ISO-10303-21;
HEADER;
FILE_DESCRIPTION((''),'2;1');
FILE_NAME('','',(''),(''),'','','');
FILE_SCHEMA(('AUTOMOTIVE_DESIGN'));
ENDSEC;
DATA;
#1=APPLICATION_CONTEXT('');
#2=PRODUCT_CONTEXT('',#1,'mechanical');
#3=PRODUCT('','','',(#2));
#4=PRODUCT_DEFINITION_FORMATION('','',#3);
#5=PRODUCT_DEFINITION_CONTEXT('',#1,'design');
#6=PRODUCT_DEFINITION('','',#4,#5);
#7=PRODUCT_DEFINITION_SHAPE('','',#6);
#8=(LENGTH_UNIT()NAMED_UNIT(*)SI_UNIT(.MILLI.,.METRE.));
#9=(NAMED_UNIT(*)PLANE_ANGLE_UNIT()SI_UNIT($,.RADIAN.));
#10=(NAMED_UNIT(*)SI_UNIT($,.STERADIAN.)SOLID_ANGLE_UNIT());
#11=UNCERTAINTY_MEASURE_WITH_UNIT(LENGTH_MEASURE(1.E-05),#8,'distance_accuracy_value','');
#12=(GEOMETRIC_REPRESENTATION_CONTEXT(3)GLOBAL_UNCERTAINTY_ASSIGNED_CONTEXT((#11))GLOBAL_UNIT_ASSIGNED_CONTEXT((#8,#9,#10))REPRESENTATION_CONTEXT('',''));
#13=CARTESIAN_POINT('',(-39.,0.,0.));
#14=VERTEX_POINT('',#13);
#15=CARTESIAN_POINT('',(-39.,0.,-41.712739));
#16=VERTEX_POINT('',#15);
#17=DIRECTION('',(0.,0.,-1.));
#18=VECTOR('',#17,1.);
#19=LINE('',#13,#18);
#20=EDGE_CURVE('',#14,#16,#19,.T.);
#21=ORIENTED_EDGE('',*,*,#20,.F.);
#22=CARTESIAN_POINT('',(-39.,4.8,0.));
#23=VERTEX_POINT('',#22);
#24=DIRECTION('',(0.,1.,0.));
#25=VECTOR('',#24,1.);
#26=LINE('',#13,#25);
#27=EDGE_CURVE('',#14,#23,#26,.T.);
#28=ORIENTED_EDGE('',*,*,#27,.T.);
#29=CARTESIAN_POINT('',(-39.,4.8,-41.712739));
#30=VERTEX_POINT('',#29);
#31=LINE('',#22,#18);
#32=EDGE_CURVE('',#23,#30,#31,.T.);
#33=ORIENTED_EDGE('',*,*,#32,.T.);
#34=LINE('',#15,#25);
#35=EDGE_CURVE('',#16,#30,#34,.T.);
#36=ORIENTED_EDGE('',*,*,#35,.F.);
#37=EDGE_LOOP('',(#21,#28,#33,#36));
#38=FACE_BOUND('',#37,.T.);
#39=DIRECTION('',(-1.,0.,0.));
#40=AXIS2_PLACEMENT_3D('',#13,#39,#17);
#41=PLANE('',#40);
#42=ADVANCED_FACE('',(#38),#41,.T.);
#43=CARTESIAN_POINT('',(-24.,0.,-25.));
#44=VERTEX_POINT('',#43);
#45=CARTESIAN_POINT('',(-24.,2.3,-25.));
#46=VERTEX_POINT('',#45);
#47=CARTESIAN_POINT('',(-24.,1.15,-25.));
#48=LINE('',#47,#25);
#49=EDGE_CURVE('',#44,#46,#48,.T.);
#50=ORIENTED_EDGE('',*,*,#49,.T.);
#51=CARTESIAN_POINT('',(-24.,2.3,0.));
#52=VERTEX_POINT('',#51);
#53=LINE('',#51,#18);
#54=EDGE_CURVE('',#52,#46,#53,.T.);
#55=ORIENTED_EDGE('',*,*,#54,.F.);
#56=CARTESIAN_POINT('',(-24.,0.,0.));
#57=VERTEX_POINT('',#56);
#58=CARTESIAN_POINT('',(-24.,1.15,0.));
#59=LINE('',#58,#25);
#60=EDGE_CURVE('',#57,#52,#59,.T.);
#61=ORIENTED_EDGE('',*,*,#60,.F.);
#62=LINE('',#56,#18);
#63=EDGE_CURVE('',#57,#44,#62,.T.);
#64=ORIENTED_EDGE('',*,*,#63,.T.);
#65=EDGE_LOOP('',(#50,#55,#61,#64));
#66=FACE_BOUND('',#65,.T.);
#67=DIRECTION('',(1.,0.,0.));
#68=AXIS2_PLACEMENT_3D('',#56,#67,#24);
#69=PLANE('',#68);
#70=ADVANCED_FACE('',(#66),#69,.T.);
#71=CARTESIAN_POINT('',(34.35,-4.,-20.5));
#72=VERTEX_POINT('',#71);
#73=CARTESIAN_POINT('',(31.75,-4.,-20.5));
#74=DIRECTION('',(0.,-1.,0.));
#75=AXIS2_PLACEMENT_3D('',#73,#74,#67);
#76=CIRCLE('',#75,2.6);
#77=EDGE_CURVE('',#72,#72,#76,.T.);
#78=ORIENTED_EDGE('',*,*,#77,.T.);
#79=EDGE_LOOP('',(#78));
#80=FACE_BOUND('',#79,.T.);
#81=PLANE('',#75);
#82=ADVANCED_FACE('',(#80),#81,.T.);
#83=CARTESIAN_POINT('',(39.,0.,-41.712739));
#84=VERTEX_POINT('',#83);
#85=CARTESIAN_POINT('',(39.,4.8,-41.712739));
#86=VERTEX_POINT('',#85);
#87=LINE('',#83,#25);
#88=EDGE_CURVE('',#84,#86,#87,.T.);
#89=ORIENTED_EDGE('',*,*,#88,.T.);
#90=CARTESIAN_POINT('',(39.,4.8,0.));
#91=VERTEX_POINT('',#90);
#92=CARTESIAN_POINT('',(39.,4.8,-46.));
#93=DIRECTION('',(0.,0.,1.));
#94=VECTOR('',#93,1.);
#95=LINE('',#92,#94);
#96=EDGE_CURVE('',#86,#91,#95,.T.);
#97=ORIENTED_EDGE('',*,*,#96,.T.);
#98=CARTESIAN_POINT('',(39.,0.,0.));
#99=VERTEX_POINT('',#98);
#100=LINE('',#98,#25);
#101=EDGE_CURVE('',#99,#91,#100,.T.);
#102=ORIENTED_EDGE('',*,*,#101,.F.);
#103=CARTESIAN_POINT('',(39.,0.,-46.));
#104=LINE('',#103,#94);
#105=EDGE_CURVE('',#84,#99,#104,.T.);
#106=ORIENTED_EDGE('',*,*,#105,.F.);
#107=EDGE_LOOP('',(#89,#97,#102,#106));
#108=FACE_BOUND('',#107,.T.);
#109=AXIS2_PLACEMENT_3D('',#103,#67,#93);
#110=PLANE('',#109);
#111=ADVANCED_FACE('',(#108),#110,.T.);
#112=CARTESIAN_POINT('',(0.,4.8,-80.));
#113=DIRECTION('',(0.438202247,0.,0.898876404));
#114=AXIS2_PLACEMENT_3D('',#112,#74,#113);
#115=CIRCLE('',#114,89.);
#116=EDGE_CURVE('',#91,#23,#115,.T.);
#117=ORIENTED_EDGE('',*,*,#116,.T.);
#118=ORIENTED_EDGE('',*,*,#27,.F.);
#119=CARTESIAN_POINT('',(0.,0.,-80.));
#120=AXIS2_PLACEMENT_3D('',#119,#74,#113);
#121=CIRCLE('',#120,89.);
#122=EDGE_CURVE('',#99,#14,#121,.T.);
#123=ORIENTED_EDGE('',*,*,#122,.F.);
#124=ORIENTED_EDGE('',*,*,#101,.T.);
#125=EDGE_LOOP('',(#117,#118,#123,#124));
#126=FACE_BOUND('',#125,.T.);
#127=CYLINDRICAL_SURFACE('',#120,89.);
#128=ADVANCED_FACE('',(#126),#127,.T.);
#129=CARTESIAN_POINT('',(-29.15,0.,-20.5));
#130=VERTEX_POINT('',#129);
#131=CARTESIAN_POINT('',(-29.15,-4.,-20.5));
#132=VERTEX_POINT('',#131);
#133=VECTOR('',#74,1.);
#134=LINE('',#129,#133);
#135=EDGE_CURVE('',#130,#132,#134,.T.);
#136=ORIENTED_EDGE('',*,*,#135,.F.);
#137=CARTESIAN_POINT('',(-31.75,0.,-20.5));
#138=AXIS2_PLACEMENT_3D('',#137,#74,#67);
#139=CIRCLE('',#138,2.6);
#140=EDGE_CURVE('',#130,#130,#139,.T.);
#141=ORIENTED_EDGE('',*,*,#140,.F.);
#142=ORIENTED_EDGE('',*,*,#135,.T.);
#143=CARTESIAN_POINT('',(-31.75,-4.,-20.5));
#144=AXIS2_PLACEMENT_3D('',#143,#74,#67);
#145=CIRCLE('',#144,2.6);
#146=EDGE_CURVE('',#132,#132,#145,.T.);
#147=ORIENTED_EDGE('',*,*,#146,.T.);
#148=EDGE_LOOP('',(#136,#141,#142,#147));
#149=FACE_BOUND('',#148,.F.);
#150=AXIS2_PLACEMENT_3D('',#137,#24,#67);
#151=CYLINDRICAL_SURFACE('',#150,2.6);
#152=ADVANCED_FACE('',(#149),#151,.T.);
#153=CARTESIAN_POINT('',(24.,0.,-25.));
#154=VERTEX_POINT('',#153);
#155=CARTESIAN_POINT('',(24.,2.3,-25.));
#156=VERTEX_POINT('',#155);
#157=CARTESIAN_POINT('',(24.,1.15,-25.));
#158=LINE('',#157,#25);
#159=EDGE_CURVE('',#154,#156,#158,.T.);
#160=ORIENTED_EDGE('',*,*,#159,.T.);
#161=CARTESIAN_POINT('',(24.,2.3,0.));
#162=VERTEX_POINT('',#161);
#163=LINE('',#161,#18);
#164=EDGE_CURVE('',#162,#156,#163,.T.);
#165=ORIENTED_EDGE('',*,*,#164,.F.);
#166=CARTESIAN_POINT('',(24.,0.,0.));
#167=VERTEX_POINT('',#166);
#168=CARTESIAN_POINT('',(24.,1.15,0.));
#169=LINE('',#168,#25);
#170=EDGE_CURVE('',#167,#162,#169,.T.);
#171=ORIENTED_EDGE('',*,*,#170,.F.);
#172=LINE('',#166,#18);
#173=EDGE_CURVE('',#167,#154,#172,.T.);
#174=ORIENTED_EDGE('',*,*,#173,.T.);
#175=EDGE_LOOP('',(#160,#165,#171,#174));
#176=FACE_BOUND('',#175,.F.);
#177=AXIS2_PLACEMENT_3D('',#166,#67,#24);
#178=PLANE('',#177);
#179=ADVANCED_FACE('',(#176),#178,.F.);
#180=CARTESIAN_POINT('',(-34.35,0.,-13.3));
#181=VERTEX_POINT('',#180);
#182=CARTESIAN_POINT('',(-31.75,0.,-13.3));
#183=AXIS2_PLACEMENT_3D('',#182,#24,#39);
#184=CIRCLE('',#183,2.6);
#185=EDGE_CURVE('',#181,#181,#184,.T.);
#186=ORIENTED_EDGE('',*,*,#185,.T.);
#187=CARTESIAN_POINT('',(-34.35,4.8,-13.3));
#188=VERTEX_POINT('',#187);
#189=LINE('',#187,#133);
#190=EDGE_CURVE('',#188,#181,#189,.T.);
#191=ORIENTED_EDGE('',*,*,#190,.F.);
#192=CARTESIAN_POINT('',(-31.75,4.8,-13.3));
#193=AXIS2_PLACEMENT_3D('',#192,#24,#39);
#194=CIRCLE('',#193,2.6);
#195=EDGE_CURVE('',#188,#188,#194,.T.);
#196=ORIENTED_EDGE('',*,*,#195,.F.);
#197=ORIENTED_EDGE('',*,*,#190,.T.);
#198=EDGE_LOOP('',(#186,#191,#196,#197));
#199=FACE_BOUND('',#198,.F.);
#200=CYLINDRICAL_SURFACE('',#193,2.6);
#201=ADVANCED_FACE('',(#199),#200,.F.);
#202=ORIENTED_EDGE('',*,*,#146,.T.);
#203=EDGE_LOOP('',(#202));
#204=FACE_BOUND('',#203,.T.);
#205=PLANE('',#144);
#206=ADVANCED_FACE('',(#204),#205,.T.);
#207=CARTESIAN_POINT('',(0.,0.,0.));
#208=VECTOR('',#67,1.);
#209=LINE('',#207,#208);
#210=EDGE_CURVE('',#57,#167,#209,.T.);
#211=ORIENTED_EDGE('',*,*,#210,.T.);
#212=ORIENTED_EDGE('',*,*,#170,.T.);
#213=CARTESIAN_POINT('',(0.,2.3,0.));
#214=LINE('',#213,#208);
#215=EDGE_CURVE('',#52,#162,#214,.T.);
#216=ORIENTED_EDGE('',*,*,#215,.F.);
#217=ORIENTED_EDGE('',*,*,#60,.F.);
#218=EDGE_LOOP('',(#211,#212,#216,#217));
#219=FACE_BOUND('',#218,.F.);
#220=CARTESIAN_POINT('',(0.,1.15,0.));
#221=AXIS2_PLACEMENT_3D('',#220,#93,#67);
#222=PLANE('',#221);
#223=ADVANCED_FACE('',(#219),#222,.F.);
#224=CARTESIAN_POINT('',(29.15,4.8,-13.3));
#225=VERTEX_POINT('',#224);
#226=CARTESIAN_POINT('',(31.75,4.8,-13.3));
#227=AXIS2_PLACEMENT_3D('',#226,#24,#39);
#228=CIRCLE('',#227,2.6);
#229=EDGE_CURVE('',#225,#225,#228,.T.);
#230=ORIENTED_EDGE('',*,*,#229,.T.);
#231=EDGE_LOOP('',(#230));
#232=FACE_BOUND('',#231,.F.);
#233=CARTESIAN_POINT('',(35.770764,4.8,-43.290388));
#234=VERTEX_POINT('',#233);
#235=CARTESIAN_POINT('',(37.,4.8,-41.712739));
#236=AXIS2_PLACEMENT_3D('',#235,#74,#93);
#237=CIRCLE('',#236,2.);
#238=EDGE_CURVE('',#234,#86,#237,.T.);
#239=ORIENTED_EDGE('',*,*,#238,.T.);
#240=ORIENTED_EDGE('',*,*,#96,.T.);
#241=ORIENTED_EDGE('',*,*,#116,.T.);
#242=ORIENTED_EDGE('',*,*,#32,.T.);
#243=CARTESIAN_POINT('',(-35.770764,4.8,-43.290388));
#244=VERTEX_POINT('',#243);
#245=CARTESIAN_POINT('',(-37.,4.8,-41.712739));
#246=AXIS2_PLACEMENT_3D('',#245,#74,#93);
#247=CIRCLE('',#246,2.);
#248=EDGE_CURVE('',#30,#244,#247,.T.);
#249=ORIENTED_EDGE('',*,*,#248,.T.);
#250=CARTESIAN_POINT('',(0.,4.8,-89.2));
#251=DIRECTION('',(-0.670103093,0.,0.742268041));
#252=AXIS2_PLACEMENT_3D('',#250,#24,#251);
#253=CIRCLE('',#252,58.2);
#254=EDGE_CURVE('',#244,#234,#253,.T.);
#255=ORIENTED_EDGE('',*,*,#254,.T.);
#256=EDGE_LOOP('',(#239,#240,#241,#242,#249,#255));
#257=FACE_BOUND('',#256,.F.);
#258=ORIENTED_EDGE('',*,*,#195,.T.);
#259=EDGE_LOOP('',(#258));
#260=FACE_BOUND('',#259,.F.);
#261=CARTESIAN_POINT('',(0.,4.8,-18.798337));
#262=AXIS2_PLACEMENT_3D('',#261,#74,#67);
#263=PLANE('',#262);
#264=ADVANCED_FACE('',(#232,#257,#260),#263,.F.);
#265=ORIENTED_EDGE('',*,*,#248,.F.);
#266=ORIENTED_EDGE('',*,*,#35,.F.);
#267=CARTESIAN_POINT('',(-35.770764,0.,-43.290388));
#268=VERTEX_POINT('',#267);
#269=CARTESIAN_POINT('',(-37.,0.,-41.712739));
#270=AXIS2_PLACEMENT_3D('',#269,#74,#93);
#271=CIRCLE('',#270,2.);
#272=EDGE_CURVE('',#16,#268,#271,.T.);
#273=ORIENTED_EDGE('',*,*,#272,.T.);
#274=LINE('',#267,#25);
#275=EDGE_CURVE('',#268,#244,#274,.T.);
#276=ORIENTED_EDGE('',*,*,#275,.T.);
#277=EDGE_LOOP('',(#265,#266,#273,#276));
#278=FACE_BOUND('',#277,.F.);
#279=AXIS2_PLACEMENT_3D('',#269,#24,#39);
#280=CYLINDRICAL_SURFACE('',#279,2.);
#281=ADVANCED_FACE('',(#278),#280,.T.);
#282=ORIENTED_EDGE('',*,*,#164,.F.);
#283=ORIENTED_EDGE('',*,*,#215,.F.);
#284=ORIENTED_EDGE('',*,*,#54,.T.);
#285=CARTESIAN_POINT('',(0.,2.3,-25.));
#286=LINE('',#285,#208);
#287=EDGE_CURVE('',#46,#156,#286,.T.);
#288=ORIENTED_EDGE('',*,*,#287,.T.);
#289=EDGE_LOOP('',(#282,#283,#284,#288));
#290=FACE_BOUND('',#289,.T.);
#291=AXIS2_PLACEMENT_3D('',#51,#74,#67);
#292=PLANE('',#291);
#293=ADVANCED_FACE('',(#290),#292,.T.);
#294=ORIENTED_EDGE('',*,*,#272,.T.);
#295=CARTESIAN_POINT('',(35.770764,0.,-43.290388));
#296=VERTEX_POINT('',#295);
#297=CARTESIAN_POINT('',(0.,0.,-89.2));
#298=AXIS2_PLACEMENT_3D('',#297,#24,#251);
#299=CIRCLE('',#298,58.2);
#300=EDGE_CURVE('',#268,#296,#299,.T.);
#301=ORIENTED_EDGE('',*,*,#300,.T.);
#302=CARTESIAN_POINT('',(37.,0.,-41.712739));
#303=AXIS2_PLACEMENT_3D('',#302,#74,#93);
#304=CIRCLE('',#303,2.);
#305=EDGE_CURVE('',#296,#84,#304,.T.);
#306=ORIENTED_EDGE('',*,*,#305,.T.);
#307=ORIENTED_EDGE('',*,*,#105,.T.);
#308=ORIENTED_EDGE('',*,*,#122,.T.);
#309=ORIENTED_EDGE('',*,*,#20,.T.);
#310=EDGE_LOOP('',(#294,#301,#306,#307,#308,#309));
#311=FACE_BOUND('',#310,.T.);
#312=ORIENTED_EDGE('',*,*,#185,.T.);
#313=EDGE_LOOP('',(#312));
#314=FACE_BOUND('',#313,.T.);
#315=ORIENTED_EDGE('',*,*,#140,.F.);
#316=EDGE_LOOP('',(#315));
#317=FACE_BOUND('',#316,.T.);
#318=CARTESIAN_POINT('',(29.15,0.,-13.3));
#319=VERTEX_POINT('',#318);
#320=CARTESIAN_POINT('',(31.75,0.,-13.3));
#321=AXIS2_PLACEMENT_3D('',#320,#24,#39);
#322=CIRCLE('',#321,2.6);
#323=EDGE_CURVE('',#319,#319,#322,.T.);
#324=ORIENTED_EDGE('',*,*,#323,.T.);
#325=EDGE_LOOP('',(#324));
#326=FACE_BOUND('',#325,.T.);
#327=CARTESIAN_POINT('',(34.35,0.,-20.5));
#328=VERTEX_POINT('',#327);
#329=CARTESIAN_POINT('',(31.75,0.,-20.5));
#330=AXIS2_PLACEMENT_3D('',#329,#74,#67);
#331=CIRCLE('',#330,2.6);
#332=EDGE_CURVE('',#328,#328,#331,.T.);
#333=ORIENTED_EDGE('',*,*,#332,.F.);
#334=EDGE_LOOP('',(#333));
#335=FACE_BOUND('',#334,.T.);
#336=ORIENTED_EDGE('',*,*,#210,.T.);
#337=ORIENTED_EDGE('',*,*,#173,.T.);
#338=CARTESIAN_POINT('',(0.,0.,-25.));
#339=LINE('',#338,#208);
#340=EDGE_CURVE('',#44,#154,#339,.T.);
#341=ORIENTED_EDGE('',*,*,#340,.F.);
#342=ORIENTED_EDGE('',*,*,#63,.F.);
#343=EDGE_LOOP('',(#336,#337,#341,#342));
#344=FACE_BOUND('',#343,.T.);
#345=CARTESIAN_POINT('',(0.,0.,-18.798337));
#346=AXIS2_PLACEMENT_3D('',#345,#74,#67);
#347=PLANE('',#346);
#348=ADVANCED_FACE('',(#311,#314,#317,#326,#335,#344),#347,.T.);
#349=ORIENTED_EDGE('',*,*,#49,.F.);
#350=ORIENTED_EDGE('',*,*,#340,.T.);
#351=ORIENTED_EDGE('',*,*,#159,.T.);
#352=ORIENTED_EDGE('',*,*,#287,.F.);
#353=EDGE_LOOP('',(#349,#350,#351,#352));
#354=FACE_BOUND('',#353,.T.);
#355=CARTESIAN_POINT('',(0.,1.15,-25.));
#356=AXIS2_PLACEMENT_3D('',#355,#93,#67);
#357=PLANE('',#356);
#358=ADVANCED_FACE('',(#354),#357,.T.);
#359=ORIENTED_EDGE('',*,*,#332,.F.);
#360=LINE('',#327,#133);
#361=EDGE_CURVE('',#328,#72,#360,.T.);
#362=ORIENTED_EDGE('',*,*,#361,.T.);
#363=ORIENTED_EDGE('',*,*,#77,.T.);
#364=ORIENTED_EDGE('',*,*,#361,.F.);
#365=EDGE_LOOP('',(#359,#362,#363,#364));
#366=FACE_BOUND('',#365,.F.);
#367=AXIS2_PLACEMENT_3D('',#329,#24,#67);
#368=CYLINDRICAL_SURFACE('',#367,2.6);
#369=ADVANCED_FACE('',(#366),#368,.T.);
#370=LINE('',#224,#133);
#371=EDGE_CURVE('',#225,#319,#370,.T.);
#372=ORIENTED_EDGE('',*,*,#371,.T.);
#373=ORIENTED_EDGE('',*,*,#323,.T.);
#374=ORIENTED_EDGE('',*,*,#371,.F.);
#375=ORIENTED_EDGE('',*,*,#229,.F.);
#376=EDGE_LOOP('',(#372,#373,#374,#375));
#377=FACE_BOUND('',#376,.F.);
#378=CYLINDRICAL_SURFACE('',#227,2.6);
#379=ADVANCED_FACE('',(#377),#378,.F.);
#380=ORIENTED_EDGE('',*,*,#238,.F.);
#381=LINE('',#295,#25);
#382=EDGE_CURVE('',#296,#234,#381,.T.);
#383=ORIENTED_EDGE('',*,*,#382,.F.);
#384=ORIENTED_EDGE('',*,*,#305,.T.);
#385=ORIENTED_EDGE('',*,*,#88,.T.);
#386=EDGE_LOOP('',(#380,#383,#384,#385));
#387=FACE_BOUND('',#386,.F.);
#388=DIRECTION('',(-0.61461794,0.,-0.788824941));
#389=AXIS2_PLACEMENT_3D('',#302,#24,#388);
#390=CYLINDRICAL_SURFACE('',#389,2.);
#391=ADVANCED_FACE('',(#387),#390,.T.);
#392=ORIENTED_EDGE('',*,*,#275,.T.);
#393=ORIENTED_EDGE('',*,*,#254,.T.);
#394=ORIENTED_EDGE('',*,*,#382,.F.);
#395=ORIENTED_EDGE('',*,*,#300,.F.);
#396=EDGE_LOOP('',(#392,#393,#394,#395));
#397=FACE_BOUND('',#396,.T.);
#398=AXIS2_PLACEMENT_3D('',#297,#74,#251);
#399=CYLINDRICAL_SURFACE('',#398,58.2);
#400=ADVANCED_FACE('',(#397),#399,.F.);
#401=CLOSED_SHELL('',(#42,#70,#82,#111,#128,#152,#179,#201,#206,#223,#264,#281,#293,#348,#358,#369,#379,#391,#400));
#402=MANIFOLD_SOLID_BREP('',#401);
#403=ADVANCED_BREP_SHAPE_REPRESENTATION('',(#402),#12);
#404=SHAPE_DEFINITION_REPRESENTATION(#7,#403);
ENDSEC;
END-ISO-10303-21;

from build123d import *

# Parameters (mm, degrees)
F1_DEPTH = 4.8
F2_R     = 2.6
F3_DEPTH = 4
F4_R     = 2.6
F5_DEPTH = 4.8
F6_R     = 2
F7_W     = 48
F7_H     = 2.3
F8_DEPTH = 25


with BuildPart() as f1:
    # F0 (on Front) → F1 (new body)
    with BuildSketch(Plane.XZ):
        with BuildLine():
            Line((-39, 0), (-39, -46))
            ThreePointArc((-39, -46), (0, -31), (39, -46))
            Line((39, -46), (39, 0))
            ThreePointArc((39, 0), (0, 9), (-39, 0))
        make_face()
    extrude(amount=-F1_DEPTH)

    # F2 (on face) → F3 (join)
    with BuildSketch(Plane.XZ):
        with Locations((-31.75, -20.5)):
            Circle(F2_R)
        with Locations((31.75, -20.5)):
            Circle(F2_R)
    extrude(amount=F3_DEPTH)

    # F4 (on face) → F5 (cut, through all)
    with BuildSketch(Plane(origin=(0, 4.8, 0), x_dir=(-1, 0, 0), z_dir=(0, 1, 0))):
        with Locations((-31.75, -13.3)):
            Circle(F4_R)
        with Locations((31.75, -13.3)):
            Circle(F4_R)
    extrude(amount=-F5_DEPTH, mode=Mode.SUBTRACT)

    # F6
    f6_edges = [f1.edges().sort_by_distance(p)[0] for p in [
        (-39, 2.4, -46),
        (39, 2.4, -46),
    ]]
    fillet(f6_edges, radius=F6_R)

    # F7 (on Top) → F8 (cut)
    with BuildSketch(Plane.XY):
        with Locations((0, 1.15)):
            Rectangle(F7_W, F7_H)
    extrude(amount=-F8_DEPTH, mode=Mode.SUBTRACT)


solid = f1.part
